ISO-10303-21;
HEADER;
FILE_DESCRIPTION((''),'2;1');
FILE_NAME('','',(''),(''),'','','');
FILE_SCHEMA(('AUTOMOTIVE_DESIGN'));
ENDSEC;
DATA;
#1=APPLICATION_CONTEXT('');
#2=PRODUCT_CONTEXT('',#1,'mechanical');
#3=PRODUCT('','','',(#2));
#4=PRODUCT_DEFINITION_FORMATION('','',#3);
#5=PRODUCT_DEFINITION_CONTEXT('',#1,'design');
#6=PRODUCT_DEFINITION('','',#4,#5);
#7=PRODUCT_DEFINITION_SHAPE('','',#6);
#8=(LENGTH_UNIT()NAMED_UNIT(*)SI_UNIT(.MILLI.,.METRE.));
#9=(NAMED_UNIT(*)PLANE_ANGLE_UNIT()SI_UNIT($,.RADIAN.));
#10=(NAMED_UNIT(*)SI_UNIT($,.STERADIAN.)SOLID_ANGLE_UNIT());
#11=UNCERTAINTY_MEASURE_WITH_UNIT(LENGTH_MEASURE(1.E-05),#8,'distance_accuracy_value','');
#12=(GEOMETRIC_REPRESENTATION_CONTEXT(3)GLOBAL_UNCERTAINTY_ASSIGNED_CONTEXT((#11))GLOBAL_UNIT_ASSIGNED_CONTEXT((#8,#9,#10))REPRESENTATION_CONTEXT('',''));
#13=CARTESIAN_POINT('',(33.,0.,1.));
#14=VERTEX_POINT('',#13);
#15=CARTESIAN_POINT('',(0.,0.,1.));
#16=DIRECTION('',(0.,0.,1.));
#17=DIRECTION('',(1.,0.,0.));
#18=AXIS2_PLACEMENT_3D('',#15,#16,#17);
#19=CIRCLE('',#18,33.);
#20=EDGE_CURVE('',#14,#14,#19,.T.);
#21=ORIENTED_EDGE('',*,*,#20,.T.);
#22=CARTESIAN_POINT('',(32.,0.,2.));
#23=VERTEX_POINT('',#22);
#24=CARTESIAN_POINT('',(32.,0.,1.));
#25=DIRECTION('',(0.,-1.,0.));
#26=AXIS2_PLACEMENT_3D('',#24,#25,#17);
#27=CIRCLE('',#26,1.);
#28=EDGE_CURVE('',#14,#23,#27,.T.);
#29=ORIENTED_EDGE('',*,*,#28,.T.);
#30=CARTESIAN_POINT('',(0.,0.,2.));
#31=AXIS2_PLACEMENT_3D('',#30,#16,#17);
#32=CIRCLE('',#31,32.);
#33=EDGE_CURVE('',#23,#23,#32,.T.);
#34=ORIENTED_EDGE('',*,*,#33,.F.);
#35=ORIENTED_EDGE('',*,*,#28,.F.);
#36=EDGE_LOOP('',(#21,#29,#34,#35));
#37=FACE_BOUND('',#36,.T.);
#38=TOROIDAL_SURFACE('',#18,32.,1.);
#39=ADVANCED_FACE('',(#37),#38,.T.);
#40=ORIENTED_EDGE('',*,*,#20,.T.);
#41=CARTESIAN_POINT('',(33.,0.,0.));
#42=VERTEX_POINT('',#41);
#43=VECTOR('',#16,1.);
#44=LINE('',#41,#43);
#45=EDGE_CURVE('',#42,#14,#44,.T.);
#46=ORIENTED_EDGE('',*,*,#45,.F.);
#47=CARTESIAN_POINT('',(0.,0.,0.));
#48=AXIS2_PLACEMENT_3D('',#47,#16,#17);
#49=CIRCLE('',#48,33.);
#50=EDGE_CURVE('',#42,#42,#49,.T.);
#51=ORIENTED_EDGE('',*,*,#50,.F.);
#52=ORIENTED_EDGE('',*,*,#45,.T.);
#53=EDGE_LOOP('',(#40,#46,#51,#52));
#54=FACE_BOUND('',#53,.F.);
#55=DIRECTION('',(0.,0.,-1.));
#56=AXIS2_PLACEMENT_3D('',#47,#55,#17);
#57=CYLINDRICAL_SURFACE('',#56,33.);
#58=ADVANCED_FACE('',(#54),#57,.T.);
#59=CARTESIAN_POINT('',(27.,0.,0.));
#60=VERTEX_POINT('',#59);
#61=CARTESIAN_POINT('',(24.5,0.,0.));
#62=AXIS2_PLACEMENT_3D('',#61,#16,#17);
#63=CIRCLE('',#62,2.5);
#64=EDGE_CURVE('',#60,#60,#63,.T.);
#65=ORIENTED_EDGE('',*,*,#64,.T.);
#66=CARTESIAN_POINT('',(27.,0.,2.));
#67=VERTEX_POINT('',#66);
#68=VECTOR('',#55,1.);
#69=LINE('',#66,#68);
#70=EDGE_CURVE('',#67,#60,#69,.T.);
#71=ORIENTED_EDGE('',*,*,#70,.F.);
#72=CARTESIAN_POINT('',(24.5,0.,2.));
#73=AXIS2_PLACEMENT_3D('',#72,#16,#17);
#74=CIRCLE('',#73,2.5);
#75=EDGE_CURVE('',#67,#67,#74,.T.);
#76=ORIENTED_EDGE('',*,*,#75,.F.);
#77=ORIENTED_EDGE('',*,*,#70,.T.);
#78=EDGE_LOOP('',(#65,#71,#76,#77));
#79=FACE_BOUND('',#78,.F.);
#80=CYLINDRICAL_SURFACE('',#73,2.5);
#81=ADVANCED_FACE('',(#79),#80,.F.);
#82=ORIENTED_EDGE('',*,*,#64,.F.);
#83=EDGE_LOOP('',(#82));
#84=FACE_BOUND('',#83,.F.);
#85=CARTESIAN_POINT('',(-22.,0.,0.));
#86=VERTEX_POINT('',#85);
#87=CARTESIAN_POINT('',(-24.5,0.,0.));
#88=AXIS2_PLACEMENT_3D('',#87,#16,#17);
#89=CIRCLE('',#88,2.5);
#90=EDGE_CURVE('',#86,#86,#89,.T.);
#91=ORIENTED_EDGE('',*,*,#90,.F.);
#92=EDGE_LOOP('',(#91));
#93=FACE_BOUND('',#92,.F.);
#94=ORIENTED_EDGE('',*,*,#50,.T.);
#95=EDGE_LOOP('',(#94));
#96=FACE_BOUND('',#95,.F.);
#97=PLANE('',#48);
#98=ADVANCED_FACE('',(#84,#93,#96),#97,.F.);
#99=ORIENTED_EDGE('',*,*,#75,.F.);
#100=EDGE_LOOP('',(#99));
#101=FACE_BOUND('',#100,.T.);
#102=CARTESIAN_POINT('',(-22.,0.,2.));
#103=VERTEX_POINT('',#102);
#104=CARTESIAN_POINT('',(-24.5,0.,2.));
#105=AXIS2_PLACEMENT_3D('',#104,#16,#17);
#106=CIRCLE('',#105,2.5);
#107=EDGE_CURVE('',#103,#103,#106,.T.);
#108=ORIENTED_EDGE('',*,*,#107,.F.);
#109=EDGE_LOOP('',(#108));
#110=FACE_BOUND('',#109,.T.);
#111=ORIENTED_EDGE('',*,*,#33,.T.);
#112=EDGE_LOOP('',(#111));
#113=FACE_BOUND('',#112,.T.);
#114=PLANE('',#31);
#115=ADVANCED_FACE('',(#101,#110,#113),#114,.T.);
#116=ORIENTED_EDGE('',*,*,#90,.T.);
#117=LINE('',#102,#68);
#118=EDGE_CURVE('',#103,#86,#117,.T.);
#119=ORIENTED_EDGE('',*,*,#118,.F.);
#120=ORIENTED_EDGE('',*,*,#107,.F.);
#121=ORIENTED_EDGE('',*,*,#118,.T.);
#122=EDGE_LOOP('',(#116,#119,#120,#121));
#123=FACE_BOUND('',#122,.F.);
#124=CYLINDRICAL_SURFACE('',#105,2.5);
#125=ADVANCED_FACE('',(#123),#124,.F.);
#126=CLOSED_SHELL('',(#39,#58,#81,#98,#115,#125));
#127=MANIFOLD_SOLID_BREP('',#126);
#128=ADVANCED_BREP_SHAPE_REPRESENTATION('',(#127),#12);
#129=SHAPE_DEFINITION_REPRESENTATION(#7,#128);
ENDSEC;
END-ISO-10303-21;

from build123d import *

# Parameters (mm, degrees)
F0_R     = 33
F1_DEPTH = 2
F2_R     = 2.5
F3_DEPTH = 25
F4_R     = 1


with BuildPart() as f1:
    # F0 (on Top) → F1 (new body)
    with BuildSketch(Plane.XY):
        Circle(F0_R)
    extrude(amount=F1_DEPTH)

    # F2 (on face) → F3 (cut)
    with BuildSketch(Plane.XY.offset(2)):
        with Locations((-24.5, 0)):
            Circle(F2_R)
        with Locations((24.5, 0)):
            Circle(F2_R)
    extrude(amount=-F3_DEPTH, mode=Mode.SUBTRACT)

    # F4
    f4_edges = [f1.edges().sort_by_distance(p)[0] for p in [
        (-33, 0, 2),
    ]]
    fillet(f4_edges, radius=F4_R)


solid = f1.part
